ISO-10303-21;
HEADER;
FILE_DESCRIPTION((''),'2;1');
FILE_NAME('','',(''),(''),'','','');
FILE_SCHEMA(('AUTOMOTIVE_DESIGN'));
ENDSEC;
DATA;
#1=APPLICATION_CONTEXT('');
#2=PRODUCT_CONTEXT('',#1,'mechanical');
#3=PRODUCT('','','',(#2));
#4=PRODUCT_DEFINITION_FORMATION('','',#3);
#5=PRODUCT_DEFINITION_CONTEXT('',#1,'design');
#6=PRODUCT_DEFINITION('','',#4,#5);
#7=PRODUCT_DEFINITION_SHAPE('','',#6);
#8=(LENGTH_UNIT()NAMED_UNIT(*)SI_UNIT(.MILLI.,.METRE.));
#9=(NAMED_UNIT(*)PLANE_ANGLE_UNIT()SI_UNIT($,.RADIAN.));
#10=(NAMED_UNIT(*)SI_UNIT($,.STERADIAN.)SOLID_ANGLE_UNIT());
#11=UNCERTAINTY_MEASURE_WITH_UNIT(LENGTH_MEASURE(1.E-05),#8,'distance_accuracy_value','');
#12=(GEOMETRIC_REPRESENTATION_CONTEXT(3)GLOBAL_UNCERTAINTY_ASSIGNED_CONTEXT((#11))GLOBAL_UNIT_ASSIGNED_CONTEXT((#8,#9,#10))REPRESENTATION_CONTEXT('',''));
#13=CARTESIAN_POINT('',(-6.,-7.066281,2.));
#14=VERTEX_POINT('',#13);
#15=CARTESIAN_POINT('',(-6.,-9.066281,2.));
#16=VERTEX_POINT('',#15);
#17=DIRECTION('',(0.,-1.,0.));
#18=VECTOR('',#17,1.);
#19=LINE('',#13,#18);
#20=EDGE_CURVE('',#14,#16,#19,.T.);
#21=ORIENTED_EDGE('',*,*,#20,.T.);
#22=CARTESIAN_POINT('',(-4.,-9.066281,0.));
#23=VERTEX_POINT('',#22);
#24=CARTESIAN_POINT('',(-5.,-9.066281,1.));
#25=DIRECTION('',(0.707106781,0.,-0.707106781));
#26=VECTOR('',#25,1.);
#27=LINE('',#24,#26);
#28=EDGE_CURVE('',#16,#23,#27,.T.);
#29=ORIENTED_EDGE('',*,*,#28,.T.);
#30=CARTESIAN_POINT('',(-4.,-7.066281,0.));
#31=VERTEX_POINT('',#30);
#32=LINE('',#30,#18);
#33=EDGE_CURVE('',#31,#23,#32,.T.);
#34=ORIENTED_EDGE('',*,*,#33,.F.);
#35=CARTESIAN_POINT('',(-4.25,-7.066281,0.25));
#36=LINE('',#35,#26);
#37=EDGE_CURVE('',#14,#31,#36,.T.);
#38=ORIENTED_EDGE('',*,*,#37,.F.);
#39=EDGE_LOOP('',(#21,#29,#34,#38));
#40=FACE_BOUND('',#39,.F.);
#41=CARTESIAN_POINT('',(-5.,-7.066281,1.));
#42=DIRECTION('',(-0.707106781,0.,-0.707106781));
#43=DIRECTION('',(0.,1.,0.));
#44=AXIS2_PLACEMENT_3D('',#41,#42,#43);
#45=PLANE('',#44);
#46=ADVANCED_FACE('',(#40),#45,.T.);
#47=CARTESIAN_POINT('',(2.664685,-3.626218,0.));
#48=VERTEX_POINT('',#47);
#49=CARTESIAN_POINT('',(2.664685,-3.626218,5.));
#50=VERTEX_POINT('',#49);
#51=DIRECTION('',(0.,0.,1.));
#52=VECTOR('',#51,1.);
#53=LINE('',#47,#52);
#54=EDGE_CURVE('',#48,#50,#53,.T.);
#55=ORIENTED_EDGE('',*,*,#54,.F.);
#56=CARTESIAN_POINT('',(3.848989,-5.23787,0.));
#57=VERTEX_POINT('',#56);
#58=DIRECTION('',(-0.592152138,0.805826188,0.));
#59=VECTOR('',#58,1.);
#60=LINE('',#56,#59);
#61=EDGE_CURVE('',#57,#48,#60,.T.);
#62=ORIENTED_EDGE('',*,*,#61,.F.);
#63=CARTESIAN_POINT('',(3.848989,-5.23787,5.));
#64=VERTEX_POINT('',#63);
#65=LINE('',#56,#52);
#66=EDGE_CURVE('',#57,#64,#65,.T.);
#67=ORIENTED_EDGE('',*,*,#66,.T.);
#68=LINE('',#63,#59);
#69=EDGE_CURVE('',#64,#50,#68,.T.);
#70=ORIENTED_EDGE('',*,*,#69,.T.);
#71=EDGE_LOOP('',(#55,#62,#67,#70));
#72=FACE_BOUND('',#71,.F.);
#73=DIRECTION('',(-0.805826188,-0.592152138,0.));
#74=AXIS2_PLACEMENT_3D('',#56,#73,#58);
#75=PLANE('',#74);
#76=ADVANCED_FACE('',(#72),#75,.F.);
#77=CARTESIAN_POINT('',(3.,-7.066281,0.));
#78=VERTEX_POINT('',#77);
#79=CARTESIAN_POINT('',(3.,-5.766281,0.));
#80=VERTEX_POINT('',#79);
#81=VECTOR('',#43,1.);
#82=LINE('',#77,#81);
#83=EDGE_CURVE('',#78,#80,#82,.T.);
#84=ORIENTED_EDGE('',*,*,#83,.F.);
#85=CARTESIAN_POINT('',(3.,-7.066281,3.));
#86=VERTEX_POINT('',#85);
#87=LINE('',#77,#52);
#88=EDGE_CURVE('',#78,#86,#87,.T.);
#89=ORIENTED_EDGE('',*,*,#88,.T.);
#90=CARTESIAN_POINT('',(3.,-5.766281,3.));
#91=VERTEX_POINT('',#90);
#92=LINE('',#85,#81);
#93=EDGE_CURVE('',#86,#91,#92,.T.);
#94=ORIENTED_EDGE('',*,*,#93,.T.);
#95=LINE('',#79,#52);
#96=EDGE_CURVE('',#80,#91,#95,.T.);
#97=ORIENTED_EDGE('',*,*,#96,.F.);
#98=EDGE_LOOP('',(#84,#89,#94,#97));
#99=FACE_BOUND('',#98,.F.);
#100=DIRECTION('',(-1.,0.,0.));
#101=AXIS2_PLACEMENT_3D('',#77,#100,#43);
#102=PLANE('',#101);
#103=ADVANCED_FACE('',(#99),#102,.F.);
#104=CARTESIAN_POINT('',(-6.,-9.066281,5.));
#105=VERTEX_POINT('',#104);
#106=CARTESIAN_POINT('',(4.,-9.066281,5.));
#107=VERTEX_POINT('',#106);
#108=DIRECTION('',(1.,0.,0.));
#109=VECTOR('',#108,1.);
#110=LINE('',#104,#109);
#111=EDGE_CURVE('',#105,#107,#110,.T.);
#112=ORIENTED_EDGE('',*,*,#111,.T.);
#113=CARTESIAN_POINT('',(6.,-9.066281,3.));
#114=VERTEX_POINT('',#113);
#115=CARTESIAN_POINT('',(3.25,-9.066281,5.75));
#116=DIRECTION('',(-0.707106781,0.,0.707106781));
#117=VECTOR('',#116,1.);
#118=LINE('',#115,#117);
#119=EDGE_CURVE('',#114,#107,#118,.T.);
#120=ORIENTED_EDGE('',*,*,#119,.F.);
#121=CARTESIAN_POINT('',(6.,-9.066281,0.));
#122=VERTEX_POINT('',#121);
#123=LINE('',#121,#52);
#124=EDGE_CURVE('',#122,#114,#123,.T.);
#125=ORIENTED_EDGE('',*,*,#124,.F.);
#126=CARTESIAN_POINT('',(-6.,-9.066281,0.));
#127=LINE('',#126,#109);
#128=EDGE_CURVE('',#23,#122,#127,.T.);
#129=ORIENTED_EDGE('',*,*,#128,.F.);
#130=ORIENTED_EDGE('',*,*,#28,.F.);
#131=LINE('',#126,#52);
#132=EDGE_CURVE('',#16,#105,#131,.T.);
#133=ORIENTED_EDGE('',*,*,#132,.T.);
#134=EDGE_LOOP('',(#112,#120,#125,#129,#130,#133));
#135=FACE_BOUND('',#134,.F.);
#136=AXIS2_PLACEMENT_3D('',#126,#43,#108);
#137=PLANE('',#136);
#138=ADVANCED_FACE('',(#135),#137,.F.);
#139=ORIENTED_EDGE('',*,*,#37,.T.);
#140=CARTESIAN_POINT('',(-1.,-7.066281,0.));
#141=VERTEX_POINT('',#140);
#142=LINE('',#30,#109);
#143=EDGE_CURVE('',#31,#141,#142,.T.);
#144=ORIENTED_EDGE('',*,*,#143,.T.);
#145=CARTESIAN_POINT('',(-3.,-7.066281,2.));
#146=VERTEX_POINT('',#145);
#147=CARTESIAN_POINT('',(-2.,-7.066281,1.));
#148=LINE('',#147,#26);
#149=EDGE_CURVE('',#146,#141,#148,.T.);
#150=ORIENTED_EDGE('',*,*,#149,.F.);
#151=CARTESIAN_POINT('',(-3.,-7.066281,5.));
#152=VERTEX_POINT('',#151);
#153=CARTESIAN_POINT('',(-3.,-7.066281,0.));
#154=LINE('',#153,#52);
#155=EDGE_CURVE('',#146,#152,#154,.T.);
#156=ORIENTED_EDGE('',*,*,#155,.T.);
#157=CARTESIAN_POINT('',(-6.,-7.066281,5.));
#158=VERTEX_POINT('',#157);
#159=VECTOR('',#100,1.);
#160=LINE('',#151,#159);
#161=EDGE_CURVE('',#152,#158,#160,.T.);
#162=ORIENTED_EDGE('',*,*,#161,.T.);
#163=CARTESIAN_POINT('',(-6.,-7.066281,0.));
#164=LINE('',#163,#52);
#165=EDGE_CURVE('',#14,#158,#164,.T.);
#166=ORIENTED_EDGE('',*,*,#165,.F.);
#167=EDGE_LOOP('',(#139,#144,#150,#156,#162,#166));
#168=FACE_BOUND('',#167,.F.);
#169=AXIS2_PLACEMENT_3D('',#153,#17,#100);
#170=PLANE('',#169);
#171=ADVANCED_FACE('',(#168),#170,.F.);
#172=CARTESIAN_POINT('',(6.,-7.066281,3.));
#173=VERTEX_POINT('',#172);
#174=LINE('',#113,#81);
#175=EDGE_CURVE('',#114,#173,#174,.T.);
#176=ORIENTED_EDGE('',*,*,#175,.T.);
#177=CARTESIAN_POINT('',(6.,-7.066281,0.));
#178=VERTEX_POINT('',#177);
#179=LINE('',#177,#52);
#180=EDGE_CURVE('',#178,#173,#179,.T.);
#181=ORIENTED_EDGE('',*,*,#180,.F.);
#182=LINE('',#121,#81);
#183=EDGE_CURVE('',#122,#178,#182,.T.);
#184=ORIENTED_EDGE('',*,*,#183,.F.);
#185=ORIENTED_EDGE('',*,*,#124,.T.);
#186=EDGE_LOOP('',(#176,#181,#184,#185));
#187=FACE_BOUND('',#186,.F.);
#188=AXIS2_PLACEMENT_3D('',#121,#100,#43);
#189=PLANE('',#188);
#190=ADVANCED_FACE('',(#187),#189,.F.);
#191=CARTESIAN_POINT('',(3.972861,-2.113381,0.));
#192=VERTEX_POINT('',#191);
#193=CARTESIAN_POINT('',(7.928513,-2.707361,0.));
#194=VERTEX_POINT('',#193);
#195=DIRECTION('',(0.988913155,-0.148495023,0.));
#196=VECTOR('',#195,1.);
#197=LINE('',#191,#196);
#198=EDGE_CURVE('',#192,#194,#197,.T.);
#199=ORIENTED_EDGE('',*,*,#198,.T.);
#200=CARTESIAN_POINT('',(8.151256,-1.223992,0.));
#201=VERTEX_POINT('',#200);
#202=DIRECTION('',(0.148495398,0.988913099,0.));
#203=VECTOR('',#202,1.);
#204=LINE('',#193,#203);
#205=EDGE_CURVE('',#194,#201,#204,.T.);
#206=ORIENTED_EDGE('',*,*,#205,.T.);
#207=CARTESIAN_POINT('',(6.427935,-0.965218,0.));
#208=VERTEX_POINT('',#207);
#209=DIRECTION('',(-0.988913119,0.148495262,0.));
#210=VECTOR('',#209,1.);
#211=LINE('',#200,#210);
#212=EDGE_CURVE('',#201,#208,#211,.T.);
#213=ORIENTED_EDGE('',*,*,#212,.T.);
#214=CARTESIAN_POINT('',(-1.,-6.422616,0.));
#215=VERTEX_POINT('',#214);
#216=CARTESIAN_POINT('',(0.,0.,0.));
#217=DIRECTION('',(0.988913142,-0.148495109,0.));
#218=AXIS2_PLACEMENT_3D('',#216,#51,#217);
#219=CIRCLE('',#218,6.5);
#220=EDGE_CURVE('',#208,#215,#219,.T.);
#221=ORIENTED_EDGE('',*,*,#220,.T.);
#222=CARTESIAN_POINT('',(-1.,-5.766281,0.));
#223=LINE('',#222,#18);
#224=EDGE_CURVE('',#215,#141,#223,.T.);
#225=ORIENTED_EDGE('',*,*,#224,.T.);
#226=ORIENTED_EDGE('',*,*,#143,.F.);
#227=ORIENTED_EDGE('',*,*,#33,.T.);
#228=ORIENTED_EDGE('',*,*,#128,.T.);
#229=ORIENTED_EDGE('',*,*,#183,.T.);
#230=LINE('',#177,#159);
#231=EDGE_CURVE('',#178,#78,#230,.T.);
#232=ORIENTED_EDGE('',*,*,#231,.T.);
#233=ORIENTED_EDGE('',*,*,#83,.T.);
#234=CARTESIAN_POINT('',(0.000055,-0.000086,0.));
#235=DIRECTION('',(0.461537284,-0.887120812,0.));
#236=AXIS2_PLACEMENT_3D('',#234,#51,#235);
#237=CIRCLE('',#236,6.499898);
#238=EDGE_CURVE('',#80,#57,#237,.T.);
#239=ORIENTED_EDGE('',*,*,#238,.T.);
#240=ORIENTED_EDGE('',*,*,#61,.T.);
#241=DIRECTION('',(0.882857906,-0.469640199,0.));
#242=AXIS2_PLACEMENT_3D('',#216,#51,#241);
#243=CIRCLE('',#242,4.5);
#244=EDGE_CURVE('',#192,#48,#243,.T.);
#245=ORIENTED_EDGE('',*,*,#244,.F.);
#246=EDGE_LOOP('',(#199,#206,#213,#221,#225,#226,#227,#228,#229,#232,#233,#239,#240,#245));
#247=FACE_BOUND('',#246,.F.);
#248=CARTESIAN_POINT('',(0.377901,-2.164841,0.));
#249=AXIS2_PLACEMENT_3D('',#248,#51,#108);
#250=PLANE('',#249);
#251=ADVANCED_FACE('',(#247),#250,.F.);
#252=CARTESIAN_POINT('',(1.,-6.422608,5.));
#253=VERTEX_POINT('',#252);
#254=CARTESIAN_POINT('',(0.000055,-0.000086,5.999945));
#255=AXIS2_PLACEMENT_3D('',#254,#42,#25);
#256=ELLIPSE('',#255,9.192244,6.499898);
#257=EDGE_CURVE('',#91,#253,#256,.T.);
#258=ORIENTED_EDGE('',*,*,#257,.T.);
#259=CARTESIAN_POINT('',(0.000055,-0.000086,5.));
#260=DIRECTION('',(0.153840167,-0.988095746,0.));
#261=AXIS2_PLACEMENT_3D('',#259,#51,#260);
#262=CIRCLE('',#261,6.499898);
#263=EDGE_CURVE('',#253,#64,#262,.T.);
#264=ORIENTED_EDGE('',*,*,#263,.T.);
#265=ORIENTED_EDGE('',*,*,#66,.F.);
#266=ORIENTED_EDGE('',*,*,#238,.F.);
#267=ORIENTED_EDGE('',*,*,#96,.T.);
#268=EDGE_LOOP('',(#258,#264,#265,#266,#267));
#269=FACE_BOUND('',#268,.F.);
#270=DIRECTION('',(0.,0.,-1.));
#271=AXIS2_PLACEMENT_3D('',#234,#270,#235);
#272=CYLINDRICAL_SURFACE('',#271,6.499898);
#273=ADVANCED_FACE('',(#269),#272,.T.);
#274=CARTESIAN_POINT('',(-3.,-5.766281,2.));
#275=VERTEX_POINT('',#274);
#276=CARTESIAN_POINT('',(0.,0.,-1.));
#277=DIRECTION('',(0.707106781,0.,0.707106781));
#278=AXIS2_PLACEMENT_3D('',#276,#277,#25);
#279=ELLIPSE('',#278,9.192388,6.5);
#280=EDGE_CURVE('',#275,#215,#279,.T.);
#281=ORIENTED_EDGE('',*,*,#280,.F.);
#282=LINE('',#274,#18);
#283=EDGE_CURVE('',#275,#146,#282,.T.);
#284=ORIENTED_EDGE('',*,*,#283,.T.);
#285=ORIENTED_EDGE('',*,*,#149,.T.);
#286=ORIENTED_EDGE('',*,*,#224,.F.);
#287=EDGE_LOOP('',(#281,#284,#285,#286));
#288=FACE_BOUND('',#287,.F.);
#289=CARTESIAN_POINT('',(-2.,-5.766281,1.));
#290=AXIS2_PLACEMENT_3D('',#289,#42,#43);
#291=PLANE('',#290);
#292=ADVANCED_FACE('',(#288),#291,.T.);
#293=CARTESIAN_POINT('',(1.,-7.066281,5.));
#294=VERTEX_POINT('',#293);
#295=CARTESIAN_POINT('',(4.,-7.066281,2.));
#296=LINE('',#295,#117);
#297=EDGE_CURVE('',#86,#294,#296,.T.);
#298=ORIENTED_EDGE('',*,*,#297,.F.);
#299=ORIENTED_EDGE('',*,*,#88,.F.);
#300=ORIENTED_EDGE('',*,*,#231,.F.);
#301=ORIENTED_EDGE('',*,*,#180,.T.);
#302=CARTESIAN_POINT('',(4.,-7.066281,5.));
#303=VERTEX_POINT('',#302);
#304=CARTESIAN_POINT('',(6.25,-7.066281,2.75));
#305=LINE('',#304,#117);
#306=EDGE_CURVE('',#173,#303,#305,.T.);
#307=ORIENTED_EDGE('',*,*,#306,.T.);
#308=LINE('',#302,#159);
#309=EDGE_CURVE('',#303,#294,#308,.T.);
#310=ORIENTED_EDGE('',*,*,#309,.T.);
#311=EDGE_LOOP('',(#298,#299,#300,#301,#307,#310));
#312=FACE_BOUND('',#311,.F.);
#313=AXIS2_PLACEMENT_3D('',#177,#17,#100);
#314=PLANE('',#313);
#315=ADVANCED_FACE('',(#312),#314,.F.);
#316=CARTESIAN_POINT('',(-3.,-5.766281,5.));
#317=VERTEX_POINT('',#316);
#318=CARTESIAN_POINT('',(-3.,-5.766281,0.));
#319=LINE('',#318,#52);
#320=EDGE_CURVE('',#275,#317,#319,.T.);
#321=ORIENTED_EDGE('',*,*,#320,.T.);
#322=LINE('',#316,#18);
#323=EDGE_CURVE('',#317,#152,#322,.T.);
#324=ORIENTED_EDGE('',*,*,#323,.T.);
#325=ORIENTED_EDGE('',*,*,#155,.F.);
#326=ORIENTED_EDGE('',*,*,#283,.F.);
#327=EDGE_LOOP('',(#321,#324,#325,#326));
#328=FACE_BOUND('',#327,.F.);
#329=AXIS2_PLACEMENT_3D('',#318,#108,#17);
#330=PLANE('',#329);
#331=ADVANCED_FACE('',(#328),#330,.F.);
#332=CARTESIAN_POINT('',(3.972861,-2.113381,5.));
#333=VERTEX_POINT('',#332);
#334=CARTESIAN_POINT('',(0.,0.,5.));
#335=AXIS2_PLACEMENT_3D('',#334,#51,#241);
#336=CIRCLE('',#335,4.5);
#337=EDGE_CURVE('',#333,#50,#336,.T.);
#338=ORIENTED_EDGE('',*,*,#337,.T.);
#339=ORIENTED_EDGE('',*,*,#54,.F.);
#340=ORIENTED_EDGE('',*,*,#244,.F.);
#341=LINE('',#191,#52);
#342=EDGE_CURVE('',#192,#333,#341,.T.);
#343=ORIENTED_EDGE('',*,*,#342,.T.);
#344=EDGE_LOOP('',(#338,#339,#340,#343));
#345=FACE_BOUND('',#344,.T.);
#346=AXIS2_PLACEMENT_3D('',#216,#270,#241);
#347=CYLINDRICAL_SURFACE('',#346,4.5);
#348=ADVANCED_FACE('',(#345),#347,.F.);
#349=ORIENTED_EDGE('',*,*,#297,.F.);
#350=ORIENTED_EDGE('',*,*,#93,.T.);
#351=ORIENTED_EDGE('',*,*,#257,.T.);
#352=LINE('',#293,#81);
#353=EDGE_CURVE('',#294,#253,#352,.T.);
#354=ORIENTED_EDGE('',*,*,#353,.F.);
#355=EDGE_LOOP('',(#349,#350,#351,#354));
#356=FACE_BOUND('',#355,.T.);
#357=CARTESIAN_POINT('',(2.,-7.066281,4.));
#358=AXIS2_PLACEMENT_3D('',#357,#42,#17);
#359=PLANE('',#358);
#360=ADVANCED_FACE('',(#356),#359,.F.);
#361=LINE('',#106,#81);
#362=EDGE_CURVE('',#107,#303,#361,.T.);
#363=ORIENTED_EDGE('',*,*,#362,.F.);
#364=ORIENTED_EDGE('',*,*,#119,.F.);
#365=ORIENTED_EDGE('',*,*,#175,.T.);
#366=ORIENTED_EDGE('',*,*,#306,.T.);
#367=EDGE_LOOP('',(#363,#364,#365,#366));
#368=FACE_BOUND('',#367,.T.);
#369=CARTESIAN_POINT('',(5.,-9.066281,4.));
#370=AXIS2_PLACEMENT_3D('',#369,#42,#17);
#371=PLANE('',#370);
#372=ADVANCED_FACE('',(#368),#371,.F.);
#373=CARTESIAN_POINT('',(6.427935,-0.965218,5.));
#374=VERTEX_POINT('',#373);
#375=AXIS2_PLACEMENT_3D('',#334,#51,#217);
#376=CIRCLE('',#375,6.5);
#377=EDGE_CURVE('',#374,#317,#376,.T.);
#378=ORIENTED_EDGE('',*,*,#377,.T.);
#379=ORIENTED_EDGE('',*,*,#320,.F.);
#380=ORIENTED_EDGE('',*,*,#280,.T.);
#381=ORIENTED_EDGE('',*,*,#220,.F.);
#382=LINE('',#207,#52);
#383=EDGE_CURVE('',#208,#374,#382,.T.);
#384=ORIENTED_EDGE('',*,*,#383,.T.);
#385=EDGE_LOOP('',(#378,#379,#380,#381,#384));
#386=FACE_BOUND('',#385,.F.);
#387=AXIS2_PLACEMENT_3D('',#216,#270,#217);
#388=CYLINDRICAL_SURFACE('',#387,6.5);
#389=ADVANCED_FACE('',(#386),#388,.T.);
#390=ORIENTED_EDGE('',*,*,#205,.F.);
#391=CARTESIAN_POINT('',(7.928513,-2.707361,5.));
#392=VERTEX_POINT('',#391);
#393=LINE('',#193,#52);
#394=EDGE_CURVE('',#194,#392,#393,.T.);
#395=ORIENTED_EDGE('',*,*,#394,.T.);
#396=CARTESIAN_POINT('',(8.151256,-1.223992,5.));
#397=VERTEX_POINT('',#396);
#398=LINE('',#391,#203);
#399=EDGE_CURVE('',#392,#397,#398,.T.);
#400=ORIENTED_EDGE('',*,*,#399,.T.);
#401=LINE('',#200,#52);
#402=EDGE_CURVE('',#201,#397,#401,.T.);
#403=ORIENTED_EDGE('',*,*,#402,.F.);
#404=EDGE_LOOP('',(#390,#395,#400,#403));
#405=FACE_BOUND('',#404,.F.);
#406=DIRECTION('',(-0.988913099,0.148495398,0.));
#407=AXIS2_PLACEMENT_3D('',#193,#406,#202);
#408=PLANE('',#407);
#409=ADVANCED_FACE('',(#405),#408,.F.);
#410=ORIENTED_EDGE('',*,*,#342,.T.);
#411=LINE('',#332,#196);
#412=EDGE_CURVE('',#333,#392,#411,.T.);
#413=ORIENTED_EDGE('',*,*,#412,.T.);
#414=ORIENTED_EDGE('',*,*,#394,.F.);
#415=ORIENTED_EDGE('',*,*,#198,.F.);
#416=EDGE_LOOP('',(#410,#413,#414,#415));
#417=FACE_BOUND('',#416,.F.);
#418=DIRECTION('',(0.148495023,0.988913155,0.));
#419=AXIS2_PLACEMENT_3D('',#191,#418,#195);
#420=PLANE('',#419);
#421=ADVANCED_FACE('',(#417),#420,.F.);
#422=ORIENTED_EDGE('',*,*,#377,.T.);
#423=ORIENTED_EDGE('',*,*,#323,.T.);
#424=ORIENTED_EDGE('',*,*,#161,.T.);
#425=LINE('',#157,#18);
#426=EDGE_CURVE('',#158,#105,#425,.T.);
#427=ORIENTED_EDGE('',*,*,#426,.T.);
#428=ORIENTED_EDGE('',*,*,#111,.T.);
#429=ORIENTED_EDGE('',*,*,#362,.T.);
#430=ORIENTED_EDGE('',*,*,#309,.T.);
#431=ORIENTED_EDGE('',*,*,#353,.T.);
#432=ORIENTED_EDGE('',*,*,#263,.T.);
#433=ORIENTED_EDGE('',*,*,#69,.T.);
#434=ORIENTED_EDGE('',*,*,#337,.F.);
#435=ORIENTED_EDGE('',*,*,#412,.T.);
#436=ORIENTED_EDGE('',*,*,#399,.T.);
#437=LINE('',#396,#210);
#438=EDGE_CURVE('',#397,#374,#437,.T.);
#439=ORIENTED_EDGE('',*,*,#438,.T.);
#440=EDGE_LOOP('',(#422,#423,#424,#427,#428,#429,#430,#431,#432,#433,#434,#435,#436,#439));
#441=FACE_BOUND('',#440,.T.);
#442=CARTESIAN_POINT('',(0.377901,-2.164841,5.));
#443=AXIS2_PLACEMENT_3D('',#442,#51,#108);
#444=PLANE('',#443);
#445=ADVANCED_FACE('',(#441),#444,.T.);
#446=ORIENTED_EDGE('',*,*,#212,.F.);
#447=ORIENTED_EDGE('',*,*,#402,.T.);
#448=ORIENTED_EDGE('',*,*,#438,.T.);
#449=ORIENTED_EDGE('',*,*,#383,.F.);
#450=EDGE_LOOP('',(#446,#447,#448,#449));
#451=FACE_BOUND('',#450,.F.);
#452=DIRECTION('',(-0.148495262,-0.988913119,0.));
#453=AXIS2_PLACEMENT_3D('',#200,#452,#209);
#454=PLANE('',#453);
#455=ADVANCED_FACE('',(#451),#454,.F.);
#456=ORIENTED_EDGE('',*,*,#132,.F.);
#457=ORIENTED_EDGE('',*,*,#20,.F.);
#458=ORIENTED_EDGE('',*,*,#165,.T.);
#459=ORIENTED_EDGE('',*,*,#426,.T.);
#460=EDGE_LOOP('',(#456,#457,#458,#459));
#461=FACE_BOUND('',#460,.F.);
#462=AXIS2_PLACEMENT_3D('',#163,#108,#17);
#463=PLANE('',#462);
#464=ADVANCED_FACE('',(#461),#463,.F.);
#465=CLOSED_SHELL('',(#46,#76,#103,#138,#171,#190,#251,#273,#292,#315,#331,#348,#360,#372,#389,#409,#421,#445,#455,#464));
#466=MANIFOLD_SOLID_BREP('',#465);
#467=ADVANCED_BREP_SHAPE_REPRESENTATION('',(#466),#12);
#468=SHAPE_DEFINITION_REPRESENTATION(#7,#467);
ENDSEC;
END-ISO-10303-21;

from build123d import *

# Parameters (mm, degrees)
PAD_DEPTH    = 5
CHAMFER_SIZE = 2


with BuildPart() as part:
    # Sketch → Pad (new body)
    with BuildSketch(Plane.XY):
        with BuildLine():
            ThreePointArc((6.427935, -0.965218), (-2.949616, 5.792216), (-3, -5.766281))
            Line((-3, -5.766281), (-3, -7.066281))
            Line((-3, -7.066281), (-6, -7.066281))
            Line((-6, -7.066281), (-6, -9.066281))
            Line((-6, -9.066281), (6, -9.066281))
            Line((6, -9.066281), (6, -7.066281))
            Line((6, -7.066281), (3, -7.066281))
            Line((3, -7.066281), (3, -5.766281))
            ThreePointArc((3, -5.766281), (3.434671, -5.518427), (3.848989, -5.23787))
            Line((3.848989, -5.23787), (2.664685, -3.626218))
            ThreePointArc((3.972861, -2.113381), (-3.403883, 2.943396), (2.664685, -3.626218))
            Line((3.972861, -2.113381), (7.928513, -2.707361))
            Line((7.928513, -2.707361), (8.151256, -1.223992))
            Line((8.151256, -1.223992), (6.427935, -0.965218))
        make_face()
    extrude(amount=PAD_DEPTH)

    # Chamfer
    chamfer_edges = [part.edges().sort_by_distance(p)[0] for p in [
        (6, -8.066281, 5),
        (3, -6.416281, 5),
        (-3, -6.416281, 0),
        (-6, -8.066281, 0),
    ]]
    chamfer(chamfer_edges, length=CHAMFER_SIZE)


solid = part.part
